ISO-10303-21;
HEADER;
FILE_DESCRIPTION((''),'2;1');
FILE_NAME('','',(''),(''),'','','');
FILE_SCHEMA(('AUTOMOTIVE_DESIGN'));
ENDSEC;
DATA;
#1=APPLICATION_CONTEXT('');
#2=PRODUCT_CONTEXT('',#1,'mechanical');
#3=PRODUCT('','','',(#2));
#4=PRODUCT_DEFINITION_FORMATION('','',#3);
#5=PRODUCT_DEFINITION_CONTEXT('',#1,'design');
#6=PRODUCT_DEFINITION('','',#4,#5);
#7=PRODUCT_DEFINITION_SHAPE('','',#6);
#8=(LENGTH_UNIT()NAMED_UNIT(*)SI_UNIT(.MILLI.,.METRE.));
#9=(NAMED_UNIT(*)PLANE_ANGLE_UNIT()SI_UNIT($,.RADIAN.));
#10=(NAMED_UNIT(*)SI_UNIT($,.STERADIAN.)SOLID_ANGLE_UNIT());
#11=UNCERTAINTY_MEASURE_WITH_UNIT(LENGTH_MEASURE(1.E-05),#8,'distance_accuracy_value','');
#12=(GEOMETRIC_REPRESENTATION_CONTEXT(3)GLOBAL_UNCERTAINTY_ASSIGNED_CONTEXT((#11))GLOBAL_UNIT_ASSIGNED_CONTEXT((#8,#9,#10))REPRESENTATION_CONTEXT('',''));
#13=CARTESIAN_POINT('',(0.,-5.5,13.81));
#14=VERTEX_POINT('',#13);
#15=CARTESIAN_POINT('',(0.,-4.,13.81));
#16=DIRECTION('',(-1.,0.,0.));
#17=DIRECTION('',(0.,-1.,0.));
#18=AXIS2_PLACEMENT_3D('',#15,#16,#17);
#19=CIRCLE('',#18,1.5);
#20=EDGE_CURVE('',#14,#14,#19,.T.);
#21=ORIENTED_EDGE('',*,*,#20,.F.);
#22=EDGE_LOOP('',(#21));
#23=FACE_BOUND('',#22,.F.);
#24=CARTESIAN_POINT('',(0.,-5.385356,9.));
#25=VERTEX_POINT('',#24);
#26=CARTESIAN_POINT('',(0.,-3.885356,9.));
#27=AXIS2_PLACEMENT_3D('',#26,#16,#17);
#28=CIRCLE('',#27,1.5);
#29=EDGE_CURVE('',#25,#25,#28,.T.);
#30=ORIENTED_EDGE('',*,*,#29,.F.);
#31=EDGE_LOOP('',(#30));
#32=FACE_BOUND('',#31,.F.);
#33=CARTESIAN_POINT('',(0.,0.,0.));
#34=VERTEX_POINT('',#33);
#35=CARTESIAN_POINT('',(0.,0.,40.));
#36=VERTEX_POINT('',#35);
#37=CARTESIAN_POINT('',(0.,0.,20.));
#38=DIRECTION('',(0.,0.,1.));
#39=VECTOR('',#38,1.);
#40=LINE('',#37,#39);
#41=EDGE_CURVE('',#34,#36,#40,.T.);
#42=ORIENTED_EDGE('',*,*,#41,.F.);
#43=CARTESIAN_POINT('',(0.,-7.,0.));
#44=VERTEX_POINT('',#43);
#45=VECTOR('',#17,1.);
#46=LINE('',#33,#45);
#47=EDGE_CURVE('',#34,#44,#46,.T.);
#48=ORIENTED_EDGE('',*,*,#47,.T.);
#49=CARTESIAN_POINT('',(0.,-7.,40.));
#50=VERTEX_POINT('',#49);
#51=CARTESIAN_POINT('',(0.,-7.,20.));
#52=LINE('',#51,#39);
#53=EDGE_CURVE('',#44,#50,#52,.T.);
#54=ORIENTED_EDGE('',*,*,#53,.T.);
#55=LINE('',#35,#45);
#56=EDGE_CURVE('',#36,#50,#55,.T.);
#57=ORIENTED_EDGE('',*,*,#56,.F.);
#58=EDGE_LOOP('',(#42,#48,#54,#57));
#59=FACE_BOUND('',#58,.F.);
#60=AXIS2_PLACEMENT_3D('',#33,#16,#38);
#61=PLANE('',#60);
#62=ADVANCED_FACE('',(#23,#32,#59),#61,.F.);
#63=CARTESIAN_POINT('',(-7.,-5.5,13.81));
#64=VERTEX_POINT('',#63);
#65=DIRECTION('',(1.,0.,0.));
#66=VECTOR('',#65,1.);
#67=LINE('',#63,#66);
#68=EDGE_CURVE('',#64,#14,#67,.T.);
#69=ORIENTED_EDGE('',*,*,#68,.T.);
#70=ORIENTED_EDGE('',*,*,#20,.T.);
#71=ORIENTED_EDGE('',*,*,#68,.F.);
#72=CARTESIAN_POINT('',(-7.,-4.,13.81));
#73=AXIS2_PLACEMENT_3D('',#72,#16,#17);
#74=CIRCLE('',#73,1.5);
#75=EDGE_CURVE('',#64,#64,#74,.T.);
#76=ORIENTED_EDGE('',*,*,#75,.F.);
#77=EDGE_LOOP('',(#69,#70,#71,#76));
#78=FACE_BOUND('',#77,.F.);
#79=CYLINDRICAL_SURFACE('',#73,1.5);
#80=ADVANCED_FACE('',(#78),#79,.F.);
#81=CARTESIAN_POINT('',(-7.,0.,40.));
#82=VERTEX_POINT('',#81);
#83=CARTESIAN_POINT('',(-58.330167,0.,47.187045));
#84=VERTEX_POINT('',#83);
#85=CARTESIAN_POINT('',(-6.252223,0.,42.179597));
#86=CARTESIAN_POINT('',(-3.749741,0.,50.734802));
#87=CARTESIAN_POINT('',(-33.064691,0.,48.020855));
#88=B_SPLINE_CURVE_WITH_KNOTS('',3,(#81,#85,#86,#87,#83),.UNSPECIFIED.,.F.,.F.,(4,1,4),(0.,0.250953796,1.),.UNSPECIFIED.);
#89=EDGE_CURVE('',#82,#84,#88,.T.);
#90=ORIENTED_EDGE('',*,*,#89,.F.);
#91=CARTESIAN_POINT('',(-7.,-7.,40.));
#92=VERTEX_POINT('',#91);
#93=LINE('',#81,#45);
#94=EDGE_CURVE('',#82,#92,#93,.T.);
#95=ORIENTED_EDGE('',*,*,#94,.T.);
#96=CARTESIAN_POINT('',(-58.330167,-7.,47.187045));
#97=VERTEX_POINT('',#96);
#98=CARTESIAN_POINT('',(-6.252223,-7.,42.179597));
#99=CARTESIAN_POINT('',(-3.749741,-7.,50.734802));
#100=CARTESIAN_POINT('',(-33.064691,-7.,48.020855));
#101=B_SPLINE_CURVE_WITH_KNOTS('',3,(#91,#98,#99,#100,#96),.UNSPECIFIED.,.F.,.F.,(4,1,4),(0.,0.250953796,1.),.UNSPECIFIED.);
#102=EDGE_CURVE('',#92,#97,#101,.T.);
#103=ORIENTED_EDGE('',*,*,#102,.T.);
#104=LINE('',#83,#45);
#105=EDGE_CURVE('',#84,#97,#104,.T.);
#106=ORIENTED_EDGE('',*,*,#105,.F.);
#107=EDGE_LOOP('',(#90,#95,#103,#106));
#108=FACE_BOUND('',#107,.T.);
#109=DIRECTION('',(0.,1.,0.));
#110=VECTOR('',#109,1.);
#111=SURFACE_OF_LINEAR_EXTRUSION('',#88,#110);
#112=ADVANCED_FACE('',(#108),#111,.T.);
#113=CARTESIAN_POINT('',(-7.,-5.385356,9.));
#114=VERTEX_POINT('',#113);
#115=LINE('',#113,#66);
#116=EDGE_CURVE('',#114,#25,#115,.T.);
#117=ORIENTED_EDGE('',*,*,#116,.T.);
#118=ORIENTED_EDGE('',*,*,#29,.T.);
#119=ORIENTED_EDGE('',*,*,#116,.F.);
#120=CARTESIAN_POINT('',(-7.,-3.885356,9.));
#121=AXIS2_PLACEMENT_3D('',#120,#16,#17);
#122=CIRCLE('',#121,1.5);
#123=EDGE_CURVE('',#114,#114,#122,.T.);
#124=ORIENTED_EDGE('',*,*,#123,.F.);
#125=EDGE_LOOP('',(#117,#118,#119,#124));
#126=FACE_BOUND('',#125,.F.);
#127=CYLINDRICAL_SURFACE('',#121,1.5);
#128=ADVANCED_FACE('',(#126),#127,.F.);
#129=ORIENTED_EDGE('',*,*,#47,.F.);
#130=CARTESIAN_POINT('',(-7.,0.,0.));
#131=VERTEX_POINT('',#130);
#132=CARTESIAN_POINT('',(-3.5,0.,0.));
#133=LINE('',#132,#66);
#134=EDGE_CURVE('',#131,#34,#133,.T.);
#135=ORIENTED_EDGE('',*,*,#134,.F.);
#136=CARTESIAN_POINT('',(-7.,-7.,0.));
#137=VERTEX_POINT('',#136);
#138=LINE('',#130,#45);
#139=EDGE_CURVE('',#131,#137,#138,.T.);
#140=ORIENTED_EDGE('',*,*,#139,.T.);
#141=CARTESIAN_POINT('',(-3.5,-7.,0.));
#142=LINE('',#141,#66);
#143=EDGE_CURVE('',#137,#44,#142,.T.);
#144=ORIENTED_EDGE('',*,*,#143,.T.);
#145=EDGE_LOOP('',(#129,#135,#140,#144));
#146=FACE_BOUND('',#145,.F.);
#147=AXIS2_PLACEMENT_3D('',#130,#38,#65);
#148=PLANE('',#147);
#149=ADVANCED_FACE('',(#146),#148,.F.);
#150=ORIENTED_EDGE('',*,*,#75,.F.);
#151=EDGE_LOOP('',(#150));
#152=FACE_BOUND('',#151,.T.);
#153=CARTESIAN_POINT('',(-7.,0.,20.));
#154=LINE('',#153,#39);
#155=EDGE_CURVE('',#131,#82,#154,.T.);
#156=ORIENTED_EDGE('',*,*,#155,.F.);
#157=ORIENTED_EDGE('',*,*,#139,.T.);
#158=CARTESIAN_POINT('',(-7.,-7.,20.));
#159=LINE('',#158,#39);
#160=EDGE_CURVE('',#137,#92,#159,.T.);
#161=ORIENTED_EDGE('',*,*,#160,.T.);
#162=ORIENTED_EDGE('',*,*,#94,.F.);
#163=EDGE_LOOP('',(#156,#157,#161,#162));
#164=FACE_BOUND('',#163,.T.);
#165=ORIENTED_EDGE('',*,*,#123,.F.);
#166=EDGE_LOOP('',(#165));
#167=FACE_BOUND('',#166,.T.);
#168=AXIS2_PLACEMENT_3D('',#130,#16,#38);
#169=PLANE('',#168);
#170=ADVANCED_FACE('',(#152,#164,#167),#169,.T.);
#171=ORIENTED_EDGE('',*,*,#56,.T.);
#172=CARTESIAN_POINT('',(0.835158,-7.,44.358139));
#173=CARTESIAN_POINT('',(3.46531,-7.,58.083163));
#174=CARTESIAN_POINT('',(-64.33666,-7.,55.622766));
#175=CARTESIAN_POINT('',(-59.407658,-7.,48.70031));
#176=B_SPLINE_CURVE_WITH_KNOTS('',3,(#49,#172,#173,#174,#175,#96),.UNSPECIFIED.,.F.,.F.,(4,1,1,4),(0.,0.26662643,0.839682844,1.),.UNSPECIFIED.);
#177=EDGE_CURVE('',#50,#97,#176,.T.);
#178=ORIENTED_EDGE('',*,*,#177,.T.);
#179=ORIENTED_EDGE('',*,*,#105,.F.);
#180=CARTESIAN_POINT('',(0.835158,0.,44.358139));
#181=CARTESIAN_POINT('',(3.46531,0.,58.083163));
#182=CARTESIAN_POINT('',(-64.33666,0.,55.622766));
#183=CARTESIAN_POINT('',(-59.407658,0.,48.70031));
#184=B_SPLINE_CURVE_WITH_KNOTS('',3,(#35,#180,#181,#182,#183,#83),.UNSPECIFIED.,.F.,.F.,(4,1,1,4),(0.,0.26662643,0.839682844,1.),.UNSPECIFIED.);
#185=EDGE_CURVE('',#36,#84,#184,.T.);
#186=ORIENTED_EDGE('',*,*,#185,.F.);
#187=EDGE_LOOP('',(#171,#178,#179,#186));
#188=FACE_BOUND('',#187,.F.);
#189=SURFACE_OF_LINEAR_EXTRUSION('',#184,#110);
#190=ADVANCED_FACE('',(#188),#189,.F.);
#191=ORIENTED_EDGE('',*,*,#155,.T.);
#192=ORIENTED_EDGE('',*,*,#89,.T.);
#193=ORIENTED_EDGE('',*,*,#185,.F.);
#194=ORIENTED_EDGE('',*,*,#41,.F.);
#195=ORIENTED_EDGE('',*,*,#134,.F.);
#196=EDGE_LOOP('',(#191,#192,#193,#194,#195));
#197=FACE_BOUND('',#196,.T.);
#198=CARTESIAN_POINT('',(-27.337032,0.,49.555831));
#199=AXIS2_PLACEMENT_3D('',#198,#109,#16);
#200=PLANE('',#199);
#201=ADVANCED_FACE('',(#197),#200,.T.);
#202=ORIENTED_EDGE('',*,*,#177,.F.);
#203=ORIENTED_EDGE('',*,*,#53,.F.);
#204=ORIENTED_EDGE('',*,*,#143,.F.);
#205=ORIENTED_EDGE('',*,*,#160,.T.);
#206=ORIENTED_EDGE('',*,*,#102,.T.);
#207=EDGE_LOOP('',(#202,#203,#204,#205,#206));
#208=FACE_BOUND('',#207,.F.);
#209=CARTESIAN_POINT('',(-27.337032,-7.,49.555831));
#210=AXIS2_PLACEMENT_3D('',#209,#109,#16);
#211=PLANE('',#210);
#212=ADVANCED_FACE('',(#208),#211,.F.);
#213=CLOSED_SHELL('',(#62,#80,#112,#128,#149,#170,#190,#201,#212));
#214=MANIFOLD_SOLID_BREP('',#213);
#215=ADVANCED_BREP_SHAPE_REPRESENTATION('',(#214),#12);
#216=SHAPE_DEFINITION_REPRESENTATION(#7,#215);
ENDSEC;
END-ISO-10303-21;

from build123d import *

# Parameters (mm, degrees)
F0_W     = 7
F0_H     = 40
F1_DEPTH = 7
F2_R     = 1.5
F3_DEPTH = 7.6238872514


with BuildPart() as f1:
    # F0 (on Front) → F1 (new body)
    with BuildSketch(Plane.XZ):
        with BuildLine():
            add(Edge.make_bspline(
                [(-7, 40), (-6.2522225416, 42.1795972696), (-3.7497406333, 50.7348018196), (-33.0646908606, 48.0208553051), (-58.3301670849, 47.1870452166)],
                knots=[0, 0, 0, 0, 0.2509537963, 1, 1, 1, 1], degree=3))
            Line((-7, 40), (0, 40))
            add(Edge.make_bspline(
                [(0, 40), (0.8351580805, 44.3581387202), (3.4653096101, 58.0831633462), (-64.3366596219, 55.622765995), (-59.4076581796, 48.7003100645), (-58.3301670849, 47.1870452166)],
                knots=[0, 0, 0, 0, 0.26662643, 0.8396828445, 1, 1, 1, 1], degree=3))
        make_face()
        with Locations((-3.5, 20)):
            Rectangle(F0_W, F0_H)
    extrude(amount=F1_DEPTH)

    # F2 (on face) → F3 (cut, through all)
    with BuildSketch(Plane(origin=(-7, 0, 0), x_dir=(0, -1, 0), z_dir=(-1, 0, 0))):
        with Locations((4, 13.81)):
            Circle(F2_R)
        with Locations((3.8853564765, 9)):
            Circle(F2_R)
    extrude(amount=-F3_DEPTH, mode=Mode.SUBTRACT)


solid = f1.part
